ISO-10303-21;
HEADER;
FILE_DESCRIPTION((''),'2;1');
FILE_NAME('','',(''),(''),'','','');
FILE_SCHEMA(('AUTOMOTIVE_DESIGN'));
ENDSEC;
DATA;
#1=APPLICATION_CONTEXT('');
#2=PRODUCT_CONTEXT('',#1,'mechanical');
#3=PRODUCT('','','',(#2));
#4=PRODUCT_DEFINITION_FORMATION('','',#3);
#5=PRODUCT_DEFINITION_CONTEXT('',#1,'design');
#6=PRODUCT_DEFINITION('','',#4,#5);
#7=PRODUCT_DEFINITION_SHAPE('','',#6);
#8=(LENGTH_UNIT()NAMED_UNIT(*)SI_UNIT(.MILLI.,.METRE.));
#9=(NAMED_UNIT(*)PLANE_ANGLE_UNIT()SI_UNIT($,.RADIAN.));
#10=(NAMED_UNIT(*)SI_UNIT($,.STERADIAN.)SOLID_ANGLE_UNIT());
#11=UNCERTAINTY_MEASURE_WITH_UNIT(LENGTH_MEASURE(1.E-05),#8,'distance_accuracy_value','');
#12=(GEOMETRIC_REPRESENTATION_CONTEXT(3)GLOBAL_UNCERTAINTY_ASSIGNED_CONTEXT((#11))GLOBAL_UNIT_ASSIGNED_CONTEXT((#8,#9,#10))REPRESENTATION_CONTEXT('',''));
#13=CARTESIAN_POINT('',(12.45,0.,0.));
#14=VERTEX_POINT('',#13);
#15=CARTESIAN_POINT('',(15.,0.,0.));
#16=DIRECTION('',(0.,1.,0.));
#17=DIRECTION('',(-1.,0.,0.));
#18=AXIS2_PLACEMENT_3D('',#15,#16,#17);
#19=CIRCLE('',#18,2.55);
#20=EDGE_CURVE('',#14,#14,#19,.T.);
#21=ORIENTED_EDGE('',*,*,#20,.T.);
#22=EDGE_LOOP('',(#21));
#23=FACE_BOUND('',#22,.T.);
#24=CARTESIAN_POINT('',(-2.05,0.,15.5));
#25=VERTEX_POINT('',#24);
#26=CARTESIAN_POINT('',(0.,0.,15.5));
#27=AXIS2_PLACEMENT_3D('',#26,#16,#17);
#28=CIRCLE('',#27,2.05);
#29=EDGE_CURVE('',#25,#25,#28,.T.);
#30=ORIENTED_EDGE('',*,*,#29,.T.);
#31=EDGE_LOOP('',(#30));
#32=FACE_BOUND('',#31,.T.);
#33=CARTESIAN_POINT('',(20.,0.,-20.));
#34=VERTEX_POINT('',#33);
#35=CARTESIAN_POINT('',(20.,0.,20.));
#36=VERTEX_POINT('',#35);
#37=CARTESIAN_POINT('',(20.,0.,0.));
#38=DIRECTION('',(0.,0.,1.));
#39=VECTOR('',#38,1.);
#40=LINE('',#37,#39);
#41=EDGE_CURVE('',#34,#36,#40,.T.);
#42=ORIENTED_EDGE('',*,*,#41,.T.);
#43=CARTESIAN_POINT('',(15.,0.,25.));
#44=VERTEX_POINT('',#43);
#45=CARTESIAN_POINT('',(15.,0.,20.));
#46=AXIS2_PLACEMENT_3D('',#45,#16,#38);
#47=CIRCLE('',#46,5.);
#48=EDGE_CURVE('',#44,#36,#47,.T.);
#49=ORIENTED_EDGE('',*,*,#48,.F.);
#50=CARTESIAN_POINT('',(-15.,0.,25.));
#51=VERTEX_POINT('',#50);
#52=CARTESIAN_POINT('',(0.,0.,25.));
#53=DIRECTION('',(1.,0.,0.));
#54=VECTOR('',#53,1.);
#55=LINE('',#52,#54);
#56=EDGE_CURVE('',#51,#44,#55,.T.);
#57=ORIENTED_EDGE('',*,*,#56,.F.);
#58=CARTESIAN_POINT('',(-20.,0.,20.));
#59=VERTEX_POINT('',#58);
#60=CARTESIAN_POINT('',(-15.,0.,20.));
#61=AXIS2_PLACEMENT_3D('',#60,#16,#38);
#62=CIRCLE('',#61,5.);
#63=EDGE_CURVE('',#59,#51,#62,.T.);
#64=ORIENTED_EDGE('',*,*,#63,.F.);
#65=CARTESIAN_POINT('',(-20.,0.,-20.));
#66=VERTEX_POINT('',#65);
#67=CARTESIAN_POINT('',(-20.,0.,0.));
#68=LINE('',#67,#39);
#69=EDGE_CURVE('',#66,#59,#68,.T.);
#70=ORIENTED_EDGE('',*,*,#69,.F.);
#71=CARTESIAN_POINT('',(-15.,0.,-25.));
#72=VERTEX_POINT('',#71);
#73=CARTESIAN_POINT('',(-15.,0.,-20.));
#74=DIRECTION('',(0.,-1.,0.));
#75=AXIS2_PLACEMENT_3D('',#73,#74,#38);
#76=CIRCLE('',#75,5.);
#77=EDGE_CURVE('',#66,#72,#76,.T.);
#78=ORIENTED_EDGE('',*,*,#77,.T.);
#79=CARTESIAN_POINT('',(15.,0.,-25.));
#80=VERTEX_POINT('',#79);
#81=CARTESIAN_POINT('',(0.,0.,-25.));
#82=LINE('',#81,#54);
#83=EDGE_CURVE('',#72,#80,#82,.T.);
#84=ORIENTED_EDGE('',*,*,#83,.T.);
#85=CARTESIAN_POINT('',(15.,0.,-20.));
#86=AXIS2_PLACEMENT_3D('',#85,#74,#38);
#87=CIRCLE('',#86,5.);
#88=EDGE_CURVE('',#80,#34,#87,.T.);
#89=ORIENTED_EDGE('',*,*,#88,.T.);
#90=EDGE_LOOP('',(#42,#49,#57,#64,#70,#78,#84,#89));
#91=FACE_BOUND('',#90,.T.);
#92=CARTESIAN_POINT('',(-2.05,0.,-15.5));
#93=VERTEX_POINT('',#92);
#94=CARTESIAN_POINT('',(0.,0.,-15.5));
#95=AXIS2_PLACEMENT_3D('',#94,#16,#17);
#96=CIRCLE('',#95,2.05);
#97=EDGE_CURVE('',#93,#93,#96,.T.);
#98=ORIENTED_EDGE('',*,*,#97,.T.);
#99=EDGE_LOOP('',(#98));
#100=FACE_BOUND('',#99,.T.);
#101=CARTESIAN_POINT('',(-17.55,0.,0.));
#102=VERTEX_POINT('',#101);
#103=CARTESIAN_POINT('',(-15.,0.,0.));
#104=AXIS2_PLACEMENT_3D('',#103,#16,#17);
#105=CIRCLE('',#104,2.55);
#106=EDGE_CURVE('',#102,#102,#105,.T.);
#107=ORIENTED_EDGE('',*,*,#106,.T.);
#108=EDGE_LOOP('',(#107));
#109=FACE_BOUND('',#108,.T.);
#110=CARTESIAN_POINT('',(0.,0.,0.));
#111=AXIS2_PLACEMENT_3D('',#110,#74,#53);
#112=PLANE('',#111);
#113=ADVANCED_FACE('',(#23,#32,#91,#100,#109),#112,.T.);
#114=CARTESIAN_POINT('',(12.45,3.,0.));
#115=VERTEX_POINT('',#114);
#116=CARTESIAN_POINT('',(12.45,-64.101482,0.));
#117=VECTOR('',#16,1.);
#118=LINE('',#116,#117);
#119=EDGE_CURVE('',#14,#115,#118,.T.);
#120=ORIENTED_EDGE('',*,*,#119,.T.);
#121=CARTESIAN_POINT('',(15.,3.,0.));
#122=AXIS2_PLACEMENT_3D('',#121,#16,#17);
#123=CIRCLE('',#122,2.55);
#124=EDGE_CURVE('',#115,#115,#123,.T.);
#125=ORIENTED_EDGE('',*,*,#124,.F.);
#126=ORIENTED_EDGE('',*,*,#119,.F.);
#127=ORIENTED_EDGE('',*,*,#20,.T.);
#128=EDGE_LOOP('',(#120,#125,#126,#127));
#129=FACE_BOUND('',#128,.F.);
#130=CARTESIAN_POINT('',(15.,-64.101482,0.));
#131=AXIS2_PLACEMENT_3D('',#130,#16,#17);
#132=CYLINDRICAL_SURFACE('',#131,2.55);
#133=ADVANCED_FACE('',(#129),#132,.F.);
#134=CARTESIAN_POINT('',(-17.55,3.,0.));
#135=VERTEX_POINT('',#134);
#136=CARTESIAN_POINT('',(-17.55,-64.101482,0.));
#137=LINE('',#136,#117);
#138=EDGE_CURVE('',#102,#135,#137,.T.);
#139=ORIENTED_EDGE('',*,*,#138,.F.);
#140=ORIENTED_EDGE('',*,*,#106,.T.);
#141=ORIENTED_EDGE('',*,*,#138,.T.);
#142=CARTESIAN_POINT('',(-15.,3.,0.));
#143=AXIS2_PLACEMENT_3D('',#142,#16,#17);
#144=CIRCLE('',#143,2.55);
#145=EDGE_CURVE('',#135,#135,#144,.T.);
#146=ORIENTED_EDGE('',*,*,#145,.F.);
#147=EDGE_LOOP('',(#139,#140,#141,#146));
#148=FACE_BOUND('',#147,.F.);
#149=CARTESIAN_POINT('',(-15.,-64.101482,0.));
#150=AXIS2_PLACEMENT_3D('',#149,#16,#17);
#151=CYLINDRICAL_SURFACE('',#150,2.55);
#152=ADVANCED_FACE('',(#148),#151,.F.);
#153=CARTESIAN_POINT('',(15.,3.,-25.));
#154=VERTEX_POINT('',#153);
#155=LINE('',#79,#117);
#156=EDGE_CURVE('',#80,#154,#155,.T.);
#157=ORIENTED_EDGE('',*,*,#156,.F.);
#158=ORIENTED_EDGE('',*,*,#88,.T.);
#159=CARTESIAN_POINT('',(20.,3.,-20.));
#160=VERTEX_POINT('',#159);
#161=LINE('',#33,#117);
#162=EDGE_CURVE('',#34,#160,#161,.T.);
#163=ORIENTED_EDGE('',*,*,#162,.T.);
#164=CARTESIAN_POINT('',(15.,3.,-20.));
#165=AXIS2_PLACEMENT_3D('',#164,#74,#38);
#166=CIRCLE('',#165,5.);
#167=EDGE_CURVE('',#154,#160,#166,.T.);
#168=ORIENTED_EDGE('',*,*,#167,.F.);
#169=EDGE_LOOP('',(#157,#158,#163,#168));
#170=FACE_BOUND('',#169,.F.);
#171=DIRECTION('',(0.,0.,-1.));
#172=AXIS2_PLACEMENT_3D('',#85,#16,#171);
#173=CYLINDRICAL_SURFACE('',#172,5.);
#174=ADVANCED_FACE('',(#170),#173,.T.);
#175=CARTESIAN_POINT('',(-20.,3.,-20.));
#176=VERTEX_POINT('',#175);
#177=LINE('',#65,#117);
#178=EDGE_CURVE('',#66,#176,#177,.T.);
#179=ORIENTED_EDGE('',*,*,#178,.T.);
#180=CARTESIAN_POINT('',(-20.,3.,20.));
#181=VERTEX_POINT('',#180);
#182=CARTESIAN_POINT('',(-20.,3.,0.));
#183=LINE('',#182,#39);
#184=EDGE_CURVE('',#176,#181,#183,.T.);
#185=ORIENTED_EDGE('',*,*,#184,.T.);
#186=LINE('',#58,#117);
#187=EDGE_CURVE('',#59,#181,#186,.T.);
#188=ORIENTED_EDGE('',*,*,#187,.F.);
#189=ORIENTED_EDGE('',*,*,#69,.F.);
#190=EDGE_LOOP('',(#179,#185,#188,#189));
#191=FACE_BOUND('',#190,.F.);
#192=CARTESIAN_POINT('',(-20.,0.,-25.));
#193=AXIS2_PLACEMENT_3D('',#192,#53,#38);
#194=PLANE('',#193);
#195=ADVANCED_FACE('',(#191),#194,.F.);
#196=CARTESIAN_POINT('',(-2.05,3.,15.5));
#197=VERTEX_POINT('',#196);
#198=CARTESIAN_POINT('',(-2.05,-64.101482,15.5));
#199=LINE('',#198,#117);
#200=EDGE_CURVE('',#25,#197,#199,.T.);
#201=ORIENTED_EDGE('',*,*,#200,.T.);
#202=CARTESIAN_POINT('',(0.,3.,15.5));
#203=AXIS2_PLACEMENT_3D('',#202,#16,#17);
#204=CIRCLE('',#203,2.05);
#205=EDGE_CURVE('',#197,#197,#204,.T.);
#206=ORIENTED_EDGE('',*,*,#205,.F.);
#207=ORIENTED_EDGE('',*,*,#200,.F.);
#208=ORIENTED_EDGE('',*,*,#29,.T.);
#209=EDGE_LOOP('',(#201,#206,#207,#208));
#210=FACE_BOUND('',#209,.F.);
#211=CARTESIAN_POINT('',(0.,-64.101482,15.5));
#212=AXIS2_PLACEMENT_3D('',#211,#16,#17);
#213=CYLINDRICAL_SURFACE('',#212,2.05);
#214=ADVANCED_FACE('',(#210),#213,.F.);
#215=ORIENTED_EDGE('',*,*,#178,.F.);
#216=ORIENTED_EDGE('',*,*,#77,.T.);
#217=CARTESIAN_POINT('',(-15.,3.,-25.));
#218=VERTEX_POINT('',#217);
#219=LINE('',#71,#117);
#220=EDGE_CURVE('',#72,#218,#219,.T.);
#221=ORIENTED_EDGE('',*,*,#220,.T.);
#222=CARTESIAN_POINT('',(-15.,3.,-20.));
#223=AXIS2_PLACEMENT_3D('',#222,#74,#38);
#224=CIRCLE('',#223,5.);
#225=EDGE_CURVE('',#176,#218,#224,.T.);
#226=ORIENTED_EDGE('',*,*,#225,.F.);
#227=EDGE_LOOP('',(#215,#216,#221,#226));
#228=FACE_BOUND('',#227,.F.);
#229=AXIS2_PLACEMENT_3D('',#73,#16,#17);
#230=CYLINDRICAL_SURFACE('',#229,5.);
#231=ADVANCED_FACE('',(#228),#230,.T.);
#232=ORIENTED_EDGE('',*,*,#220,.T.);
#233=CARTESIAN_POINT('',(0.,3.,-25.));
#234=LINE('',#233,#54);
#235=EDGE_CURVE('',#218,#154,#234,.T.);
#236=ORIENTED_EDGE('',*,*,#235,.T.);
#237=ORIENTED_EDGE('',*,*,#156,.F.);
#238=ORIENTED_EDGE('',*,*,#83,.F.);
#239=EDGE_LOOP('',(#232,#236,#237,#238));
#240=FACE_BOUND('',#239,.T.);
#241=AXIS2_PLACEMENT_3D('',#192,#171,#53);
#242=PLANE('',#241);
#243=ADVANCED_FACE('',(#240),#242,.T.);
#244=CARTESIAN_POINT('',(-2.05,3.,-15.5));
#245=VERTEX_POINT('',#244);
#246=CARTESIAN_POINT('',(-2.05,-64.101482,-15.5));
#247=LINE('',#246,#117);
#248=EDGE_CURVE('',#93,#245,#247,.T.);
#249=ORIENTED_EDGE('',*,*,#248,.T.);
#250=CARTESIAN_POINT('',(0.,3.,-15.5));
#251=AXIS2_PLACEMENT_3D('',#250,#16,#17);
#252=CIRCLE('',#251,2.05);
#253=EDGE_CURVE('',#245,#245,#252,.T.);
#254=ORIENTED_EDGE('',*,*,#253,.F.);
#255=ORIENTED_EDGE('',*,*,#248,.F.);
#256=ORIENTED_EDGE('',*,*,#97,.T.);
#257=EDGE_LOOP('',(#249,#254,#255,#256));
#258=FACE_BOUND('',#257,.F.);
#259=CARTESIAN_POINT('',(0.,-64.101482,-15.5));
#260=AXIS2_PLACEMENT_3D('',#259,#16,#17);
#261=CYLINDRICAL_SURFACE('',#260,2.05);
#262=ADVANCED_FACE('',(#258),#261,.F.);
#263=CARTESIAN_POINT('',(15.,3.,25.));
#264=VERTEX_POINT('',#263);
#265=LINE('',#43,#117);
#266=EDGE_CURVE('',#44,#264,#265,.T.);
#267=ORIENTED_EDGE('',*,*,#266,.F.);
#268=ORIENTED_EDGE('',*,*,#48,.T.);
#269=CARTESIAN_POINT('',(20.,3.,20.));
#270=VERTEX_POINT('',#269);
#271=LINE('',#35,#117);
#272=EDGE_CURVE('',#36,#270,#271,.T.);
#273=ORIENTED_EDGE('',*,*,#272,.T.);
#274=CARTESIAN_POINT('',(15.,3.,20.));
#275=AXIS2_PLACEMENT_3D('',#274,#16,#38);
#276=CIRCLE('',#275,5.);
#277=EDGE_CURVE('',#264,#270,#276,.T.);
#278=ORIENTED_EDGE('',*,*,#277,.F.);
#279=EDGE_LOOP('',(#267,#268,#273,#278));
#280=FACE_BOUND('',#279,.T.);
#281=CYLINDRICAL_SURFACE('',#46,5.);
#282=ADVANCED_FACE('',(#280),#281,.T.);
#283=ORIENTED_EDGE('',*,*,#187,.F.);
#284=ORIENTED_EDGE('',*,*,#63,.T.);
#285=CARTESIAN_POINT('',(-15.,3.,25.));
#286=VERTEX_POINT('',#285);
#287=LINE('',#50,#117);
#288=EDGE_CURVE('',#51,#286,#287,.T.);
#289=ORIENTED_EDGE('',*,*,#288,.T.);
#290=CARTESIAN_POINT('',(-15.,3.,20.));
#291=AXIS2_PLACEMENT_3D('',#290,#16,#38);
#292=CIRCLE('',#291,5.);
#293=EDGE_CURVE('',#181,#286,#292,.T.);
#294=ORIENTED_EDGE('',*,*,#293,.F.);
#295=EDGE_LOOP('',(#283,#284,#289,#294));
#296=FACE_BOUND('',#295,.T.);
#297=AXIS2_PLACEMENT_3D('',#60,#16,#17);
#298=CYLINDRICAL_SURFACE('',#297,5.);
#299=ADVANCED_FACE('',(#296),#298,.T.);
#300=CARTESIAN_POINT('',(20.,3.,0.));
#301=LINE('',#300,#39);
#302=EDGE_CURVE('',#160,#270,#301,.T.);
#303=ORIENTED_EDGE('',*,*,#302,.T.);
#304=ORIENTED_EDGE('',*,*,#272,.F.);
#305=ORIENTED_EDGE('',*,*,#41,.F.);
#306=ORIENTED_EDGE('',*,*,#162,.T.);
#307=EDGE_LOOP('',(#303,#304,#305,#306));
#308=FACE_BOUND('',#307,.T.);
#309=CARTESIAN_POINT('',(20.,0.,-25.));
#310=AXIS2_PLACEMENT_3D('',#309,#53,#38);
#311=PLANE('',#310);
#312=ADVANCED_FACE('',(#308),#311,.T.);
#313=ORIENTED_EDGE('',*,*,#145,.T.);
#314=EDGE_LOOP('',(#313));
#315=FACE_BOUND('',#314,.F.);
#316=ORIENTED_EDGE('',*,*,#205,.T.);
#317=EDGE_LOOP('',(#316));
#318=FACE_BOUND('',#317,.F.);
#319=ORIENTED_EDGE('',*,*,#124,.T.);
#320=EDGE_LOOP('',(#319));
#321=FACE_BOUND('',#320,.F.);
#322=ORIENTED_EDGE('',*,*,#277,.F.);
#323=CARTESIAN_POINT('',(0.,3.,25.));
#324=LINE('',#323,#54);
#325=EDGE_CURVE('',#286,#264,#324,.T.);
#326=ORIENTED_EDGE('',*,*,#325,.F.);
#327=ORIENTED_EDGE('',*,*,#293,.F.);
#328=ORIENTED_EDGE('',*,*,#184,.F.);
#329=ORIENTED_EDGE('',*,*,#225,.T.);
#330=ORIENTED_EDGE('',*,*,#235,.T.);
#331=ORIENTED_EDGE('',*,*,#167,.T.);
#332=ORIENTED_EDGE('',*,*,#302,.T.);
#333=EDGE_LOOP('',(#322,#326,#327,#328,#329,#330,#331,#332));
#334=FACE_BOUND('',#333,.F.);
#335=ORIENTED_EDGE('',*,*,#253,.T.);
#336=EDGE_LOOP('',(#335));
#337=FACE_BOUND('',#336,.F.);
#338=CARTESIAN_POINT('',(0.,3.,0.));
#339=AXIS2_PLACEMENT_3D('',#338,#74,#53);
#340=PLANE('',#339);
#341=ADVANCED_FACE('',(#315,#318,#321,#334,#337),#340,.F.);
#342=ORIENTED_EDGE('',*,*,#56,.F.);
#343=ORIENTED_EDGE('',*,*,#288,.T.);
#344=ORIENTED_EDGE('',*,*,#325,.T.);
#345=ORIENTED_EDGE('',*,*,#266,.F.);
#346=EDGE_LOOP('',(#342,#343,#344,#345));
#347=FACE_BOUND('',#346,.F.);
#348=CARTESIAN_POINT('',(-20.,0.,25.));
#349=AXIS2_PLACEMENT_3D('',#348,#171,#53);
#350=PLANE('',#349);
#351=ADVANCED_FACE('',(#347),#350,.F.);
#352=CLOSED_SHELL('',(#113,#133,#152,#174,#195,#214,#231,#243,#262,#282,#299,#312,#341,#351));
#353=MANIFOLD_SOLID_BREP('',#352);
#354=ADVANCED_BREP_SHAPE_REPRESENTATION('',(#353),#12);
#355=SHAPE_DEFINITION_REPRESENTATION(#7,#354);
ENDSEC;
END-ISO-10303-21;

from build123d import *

# Parameters (mm, degrees)
F0_W     = 40
F0_H     = 50
F1_DEPTH = 3
F3_D     = 4.1
F4_D     = 5.1
F5_R     = 5


with BuildPart() as f1:
    # F0 (on Front) → F1 (new body)
    with BuildSketch(Plane.XZ):
        Rectangle(F0_W, F0_H)
    extrude(amount=-F1_DEPTH)

    # F3 (through all)
    with Locations(Plane.XZ):
        with Locations((0, 15.5), (0, -15.5)):
            Hole(F3_D / 2)

    # F4 (through all)
    with Locations(Plane.XZ):
        with Locations((-15, 0), (15, 0)):
            Hole(F4_D / 2)

    # F5
    f5_edges = [f1.edges().sort_by_distance(p)[0] for p in [
        (20, 1.5, 25),
        (20, 1.5, -25),
        (-20, 1.5, -25),
        (-20, 1.5, 25),
    ]]
    fillet(f5_edges, radius=F5_R)


solid = f1.part
